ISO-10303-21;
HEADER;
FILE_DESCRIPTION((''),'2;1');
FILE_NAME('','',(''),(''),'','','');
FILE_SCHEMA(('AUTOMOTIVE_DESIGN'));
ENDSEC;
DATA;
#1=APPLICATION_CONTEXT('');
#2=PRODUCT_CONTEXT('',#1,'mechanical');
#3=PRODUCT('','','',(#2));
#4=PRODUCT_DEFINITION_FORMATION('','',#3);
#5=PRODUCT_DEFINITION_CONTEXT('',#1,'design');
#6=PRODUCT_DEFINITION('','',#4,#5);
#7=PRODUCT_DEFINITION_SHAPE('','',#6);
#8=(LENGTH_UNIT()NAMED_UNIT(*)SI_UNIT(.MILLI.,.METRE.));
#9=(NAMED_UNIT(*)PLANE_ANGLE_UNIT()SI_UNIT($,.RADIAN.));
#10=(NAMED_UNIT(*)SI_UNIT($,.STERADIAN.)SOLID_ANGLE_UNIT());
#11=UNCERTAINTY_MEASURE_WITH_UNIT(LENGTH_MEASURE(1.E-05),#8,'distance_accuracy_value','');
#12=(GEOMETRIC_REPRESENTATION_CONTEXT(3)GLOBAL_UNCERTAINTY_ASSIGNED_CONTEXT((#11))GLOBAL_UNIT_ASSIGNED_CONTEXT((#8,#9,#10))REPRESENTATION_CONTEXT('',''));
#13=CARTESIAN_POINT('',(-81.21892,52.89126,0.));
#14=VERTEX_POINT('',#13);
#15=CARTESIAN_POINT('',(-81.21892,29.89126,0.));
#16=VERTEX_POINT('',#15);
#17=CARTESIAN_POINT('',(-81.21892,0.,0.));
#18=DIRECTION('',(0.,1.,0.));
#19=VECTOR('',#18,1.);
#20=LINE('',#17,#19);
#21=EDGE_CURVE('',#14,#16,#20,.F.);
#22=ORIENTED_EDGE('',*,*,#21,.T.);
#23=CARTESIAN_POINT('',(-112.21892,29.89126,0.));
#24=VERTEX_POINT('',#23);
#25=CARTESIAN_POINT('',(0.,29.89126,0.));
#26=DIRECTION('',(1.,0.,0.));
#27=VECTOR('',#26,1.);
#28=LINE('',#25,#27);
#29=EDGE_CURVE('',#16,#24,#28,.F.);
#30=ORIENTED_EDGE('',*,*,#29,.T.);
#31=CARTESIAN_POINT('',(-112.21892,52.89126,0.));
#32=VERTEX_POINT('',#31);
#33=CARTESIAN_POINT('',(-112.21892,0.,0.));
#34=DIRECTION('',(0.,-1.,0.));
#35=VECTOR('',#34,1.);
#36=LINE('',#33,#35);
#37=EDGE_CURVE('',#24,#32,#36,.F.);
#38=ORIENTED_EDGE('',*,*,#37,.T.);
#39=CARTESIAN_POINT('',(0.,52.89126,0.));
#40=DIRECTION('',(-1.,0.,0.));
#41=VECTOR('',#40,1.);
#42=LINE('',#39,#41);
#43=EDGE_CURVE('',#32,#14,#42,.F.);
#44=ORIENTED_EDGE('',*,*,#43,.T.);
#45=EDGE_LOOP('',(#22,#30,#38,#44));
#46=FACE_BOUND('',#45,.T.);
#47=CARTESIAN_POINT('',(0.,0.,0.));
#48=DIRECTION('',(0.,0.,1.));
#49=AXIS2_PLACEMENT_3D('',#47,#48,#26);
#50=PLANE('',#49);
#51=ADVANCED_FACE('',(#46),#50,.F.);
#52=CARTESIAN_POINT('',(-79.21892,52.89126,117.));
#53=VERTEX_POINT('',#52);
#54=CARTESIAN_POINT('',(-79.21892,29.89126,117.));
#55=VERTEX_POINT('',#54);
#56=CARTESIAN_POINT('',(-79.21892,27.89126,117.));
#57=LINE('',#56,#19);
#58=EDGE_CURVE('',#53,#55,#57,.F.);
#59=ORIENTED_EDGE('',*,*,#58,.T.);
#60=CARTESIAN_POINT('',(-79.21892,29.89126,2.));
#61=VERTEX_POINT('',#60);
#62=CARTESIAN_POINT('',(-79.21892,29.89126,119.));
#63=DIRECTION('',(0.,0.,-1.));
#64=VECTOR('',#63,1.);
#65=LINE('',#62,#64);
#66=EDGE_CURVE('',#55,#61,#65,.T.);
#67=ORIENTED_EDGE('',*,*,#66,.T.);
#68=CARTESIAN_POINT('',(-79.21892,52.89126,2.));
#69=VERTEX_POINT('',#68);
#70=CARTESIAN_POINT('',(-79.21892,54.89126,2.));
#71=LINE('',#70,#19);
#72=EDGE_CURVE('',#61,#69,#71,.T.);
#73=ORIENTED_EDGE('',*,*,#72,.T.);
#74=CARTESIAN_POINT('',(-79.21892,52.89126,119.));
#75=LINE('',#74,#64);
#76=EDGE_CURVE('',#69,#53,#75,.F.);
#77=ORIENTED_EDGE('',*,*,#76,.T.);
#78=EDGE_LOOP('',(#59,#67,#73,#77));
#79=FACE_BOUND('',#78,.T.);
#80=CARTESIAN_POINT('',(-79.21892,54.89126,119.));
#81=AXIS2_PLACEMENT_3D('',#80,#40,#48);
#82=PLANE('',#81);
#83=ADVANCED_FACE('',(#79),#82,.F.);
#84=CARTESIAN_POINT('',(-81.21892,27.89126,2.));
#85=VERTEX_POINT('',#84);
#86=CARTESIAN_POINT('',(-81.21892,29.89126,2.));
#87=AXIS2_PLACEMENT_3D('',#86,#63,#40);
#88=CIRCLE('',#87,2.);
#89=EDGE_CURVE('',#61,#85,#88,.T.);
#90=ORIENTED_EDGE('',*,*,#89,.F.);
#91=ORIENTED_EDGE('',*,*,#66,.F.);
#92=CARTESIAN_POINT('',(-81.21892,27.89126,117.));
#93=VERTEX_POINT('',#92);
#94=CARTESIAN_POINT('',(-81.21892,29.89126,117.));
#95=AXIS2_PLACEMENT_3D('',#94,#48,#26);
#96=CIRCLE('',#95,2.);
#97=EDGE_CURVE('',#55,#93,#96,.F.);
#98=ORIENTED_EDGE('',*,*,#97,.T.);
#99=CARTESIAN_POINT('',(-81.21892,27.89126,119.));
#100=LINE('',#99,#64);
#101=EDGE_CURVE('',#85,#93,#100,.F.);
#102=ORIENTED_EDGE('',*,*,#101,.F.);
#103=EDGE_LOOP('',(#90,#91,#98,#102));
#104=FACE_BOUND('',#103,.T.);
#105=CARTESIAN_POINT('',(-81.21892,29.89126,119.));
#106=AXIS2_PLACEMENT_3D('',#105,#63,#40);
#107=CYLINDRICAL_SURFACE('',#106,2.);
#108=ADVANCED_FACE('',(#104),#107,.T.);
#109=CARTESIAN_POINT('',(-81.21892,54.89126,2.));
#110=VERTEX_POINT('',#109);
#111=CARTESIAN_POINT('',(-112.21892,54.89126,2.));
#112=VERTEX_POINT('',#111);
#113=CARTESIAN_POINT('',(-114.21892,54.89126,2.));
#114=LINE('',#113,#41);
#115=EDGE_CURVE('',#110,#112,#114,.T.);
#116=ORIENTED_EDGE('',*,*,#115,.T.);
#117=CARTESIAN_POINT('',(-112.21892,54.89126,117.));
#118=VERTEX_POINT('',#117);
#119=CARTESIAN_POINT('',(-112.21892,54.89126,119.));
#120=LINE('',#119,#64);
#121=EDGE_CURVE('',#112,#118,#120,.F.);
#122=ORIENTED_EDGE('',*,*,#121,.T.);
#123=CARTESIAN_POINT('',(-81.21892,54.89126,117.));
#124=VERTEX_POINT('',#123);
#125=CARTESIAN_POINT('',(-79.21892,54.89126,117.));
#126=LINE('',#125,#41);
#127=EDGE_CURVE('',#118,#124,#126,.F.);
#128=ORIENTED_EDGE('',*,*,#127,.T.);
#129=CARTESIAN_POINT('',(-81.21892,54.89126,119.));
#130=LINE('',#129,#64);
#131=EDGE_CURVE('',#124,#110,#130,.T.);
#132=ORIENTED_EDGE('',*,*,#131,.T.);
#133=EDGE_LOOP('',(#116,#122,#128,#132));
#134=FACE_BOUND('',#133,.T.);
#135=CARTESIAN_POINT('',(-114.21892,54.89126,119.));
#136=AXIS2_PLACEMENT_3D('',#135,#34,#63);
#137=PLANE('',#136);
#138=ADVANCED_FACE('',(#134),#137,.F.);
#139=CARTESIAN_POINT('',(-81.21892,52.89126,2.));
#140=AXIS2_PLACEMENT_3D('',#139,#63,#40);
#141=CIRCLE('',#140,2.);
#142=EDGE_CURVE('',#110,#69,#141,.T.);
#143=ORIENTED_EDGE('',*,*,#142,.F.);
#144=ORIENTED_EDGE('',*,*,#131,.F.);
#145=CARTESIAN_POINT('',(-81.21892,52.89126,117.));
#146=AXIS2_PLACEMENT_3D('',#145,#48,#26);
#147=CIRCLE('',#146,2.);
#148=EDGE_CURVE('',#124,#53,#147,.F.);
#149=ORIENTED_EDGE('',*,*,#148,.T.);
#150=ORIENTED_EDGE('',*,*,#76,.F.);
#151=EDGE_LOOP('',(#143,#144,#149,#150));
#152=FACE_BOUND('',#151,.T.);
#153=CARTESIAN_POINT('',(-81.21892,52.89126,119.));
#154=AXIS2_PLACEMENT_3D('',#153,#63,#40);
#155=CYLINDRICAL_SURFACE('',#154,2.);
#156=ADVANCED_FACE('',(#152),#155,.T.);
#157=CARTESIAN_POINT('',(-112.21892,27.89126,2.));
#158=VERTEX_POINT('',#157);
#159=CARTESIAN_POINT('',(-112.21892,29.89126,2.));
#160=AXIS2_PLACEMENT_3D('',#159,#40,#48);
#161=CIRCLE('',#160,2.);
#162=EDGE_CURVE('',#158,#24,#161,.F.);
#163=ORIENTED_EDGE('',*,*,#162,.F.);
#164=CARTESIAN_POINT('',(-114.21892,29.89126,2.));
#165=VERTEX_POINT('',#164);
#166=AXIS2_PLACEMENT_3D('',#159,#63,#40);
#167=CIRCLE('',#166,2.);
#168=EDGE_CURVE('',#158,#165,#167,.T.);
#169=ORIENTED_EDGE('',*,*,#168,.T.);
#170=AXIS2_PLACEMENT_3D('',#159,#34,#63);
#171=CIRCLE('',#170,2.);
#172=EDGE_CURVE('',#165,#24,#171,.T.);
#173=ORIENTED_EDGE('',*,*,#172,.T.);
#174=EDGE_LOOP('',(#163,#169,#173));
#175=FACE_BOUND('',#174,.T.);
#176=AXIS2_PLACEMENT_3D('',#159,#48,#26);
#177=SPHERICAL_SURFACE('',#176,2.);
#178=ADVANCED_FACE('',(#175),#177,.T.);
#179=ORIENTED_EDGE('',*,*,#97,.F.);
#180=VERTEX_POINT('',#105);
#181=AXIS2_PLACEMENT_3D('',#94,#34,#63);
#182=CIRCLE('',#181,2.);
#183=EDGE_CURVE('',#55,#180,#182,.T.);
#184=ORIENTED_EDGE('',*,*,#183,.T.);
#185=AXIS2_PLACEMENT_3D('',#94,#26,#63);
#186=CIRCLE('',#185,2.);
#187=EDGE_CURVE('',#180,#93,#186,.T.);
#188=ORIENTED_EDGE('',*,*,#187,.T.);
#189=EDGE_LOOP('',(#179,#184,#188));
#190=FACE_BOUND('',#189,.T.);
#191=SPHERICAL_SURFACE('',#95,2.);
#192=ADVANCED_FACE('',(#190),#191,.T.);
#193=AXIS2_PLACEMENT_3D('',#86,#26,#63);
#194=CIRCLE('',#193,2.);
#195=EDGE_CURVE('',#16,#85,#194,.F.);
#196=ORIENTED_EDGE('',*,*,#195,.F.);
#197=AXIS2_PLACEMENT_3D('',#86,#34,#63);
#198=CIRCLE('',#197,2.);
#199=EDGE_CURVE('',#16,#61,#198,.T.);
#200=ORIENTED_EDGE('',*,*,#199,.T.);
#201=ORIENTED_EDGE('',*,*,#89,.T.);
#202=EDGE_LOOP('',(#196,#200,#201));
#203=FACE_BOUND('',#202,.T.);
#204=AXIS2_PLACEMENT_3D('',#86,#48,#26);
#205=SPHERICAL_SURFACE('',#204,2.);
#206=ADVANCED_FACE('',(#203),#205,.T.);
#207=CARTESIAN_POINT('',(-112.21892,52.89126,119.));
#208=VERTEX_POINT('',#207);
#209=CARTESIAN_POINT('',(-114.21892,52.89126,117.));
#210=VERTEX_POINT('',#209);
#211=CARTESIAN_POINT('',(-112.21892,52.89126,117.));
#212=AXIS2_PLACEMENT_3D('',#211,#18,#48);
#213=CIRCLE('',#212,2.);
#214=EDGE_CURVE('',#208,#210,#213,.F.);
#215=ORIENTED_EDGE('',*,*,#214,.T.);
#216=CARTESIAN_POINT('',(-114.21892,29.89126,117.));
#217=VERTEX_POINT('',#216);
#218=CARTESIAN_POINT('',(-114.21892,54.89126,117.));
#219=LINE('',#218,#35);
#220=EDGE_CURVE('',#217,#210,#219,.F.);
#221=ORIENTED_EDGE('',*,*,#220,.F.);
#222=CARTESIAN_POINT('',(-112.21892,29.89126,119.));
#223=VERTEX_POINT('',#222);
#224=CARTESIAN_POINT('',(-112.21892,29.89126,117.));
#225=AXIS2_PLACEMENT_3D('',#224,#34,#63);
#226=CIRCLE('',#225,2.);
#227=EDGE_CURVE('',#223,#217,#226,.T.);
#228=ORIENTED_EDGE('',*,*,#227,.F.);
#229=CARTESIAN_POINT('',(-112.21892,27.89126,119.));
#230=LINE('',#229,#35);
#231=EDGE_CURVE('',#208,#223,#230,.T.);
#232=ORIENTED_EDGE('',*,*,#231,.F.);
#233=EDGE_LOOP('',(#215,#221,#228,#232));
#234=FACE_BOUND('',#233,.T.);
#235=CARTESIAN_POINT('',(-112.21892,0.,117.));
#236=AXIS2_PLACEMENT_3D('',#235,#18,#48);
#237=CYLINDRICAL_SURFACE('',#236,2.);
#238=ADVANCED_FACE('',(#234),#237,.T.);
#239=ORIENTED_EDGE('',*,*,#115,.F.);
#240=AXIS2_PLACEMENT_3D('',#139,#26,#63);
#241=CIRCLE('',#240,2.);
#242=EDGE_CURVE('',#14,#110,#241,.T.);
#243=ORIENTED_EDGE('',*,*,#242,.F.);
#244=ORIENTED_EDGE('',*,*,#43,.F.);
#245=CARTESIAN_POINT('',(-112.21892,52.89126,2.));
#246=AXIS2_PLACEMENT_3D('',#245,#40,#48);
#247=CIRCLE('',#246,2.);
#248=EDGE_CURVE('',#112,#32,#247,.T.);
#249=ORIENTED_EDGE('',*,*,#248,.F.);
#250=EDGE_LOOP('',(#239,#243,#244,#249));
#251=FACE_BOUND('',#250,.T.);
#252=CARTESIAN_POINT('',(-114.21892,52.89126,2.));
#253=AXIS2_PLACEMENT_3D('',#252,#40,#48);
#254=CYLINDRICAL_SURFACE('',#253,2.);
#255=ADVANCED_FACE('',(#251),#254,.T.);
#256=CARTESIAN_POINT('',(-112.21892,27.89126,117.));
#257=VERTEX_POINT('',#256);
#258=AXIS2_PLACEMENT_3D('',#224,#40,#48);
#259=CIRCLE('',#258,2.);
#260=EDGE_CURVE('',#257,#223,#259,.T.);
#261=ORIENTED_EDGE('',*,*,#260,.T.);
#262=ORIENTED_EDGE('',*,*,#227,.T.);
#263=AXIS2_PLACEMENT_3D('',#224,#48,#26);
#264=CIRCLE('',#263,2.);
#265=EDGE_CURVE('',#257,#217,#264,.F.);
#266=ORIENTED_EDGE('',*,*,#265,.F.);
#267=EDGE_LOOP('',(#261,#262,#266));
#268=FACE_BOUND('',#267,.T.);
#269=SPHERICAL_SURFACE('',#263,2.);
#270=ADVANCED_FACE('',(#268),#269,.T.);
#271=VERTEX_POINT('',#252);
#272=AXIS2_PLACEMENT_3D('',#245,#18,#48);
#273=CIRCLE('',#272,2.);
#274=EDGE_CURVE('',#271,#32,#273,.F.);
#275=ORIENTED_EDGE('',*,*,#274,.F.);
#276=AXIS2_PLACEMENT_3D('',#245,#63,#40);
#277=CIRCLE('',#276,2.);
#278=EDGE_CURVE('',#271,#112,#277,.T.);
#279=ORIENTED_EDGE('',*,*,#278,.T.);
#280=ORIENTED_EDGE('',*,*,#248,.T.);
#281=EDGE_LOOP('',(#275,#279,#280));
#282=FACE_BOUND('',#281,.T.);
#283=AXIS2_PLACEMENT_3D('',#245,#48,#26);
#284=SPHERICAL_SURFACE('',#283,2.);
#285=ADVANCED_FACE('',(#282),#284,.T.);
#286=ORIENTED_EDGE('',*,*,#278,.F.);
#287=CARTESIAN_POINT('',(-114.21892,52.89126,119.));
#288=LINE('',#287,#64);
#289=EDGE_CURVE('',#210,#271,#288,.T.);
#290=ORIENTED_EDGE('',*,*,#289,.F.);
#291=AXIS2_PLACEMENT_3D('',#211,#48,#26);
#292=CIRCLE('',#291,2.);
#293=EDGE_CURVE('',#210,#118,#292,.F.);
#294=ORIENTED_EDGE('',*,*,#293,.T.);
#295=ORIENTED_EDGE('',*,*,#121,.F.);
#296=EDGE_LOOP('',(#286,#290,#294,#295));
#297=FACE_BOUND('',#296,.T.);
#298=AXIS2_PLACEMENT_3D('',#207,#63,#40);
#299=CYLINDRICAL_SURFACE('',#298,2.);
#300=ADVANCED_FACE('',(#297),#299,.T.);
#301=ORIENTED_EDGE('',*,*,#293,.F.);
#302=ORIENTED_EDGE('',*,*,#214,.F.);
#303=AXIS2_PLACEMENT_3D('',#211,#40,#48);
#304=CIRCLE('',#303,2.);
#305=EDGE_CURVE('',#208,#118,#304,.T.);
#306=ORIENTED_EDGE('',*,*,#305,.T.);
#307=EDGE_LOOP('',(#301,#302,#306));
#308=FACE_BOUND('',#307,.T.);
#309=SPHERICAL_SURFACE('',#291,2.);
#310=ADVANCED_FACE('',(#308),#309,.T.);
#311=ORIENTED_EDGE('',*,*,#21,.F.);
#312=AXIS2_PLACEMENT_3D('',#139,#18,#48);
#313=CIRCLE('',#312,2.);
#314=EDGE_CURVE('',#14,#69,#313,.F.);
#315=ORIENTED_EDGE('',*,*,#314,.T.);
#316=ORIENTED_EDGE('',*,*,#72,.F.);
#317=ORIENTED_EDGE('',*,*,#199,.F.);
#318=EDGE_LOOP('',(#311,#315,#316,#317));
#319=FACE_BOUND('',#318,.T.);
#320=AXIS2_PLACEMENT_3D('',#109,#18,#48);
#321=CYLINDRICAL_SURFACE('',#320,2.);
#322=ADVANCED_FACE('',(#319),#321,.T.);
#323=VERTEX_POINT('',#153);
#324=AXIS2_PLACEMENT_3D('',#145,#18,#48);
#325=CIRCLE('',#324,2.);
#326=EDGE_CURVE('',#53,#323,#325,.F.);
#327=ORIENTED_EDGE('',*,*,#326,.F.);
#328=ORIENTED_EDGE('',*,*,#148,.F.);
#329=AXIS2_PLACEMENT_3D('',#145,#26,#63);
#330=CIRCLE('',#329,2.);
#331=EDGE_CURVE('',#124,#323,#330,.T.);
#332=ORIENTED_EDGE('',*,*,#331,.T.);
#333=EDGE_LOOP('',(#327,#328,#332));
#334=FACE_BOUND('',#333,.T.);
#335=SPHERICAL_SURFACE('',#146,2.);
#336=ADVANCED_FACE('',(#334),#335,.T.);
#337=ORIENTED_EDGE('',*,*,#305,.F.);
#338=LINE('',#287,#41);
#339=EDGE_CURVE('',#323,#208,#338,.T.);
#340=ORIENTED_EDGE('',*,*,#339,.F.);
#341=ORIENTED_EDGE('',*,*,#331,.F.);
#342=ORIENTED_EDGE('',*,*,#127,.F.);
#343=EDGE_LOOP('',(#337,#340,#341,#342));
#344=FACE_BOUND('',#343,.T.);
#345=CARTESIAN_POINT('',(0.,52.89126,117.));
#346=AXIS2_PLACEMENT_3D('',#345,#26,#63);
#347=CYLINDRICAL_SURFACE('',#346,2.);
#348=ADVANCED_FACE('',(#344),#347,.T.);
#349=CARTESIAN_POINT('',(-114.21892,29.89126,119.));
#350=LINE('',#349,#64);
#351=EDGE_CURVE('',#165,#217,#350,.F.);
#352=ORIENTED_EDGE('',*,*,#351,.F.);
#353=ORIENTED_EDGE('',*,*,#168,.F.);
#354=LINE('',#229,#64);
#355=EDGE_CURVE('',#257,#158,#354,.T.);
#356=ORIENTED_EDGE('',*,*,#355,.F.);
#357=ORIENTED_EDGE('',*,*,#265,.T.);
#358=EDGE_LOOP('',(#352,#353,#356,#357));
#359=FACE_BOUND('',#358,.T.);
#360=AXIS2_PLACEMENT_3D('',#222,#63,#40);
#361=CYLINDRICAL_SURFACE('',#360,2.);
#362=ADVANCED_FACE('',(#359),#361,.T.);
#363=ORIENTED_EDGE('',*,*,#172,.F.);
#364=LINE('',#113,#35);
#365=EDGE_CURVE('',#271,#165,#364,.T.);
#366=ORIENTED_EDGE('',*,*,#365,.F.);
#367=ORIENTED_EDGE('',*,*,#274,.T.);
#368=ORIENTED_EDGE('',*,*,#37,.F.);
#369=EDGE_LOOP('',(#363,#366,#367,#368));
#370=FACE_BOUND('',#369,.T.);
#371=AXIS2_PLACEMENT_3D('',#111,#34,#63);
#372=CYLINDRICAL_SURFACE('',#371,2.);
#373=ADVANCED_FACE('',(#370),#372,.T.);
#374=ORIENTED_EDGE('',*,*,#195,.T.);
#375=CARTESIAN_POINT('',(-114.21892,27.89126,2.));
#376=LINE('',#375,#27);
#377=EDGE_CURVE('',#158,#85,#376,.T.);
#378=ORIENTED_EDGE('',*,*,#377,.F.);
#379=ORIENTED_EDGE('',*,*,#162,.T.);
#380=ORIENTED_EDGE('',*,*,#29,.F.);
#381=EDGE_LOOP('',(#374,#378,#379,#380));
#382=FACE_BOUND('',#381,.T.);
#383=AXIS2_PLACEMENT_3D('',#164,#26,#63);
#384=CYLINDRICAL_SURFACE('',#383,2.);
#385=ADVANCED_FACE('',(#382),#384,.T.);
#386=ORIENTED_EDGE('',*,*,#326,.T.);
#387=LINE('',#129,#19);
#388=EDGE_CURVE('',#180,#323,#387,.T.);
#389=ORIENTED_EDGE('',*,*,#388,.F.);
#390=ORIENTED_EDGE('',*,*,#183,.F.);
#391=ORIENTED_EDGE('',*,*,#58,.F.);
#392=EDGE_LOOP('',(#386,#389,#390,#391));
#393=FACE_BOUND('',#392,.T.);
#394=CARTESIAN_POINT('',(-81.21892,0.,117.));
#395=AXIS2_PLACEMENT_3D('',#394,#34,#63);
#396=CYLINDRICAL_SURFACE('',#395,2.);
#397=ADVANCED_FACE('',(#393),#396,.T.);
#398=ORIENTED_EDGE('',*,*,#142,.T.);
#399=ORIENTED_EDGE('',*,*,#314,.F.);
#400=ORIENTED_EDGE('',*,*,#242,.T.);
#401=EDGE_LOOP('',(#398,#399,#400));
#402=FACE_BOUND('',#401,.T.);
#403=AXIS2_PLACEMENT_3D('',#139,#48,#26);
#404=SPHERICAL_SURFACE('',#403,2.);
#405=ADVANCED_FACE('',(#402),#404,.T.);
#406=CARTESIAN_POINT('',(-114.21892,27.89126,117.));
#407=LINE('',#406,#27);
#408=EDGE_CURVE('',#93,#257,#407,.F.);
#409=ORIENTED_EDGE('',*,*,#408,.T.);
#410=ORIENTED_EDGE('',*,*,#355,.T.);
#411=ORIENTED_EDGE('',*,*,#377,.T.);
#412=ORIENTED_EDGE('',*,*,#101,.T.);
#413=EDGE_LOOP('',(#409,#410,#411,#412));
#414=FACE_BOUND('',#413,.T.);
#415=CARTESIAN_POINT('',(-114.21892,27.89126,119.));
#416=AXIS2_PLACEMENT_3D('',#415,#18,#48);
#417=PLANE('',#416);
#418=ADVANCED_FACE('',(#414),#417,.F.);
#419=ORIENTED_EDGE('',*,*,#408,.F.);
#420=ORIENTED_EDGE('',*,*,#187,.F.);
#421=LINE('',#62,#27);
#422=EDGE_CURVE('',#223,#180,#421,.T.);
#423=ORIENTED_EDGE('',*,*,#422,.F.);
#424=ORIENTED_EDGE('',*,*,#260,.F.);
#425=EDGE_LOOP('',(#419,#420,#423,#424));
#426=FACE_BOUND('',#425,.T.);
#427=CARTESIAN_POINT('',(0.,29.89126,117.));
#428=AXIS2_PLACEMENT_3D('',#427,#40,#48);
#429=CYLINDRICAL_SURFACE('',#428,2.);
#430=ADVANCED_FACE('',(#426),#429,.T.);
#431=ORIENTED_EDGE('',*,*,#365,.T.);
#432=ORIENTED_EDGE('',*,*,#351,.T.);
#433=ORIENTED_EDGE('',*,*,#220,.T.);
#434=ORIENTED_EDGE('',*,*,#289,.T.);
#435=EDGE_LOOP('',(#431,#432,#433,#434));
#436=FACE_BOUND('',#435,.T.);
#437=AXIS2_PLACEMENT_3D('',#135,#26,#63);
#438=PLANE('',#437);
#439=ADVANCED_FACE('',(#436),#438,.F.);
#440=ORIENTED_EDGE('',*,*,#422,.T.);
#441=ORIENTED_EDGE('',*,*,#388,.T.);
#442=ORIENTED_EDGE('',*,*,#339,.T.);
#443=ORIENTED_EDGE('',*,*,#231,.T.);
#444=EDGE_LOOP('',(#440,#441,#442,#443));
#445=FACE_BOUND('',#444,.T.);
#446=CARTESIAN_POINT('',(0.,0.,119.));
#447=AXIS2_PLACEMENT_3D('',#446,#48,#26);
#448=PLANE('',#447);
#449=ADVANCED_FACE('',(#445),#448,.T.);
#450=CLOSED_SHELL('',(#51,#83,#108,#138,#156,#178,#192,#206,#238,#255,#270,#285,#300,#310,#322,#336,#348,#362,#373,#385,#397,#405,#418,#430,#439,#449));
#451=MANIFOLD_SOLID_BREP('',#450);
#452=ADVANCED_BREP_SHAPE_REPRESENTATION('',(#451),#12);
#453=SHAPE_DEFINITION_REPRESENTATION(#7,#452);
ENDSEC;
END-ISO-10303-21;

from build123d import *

# Parameters (mm, degrees)
SKETCH_1_W      = 35
SKETCH_1_H      = 27
EXTRUDE_1_DEPTH = 119
FILLET_2_R      = 2


with BuildPart() as part:
    # 草图1 → 凸台-拉伸1 (new body)
    with BuildSketch(Plane(origin=(-9.740659453, 0, 0), x_dir=(1, 0, 0), z_dir=(0, 0, 1))):
        with Locations((-86.97826087, 41.391260093)):
            Rectangle(SKETCH_1_W, SKETCH_1_H)
    extrude(amount=EXTRUDE_1_DEPTH)

    # 圆角2
    fillet_2_edges = [part.edges().sort_by_distance(p)[0] for p in [
        (-79.218920322, 41.391260093, 119),
        (-96.718920322, 54.891260093, 119),
        (-114.218920322, 41.391260093, 119),
        (-96.718920322, 54.891260093, 0),
        (-79.218920322, 41.391260093, 0),
        (-96.718920322, 27.891260093, 0),
        (-114.218920322, 41.391260093, 0),
        (-114.218920322, 54.891260093, 59.5),
        (-79.218920322, 54.891260093, 59.5),
        (-79.218920322, 27.891260093, 59.5),
        (-114.218920322, 27.891260093, 59.5),
        (-96.718920322, 27.891260093, 119),
    ]]
    fillet(fillet_2_edges, radius=FILLET_2_R)


solid = part.part
